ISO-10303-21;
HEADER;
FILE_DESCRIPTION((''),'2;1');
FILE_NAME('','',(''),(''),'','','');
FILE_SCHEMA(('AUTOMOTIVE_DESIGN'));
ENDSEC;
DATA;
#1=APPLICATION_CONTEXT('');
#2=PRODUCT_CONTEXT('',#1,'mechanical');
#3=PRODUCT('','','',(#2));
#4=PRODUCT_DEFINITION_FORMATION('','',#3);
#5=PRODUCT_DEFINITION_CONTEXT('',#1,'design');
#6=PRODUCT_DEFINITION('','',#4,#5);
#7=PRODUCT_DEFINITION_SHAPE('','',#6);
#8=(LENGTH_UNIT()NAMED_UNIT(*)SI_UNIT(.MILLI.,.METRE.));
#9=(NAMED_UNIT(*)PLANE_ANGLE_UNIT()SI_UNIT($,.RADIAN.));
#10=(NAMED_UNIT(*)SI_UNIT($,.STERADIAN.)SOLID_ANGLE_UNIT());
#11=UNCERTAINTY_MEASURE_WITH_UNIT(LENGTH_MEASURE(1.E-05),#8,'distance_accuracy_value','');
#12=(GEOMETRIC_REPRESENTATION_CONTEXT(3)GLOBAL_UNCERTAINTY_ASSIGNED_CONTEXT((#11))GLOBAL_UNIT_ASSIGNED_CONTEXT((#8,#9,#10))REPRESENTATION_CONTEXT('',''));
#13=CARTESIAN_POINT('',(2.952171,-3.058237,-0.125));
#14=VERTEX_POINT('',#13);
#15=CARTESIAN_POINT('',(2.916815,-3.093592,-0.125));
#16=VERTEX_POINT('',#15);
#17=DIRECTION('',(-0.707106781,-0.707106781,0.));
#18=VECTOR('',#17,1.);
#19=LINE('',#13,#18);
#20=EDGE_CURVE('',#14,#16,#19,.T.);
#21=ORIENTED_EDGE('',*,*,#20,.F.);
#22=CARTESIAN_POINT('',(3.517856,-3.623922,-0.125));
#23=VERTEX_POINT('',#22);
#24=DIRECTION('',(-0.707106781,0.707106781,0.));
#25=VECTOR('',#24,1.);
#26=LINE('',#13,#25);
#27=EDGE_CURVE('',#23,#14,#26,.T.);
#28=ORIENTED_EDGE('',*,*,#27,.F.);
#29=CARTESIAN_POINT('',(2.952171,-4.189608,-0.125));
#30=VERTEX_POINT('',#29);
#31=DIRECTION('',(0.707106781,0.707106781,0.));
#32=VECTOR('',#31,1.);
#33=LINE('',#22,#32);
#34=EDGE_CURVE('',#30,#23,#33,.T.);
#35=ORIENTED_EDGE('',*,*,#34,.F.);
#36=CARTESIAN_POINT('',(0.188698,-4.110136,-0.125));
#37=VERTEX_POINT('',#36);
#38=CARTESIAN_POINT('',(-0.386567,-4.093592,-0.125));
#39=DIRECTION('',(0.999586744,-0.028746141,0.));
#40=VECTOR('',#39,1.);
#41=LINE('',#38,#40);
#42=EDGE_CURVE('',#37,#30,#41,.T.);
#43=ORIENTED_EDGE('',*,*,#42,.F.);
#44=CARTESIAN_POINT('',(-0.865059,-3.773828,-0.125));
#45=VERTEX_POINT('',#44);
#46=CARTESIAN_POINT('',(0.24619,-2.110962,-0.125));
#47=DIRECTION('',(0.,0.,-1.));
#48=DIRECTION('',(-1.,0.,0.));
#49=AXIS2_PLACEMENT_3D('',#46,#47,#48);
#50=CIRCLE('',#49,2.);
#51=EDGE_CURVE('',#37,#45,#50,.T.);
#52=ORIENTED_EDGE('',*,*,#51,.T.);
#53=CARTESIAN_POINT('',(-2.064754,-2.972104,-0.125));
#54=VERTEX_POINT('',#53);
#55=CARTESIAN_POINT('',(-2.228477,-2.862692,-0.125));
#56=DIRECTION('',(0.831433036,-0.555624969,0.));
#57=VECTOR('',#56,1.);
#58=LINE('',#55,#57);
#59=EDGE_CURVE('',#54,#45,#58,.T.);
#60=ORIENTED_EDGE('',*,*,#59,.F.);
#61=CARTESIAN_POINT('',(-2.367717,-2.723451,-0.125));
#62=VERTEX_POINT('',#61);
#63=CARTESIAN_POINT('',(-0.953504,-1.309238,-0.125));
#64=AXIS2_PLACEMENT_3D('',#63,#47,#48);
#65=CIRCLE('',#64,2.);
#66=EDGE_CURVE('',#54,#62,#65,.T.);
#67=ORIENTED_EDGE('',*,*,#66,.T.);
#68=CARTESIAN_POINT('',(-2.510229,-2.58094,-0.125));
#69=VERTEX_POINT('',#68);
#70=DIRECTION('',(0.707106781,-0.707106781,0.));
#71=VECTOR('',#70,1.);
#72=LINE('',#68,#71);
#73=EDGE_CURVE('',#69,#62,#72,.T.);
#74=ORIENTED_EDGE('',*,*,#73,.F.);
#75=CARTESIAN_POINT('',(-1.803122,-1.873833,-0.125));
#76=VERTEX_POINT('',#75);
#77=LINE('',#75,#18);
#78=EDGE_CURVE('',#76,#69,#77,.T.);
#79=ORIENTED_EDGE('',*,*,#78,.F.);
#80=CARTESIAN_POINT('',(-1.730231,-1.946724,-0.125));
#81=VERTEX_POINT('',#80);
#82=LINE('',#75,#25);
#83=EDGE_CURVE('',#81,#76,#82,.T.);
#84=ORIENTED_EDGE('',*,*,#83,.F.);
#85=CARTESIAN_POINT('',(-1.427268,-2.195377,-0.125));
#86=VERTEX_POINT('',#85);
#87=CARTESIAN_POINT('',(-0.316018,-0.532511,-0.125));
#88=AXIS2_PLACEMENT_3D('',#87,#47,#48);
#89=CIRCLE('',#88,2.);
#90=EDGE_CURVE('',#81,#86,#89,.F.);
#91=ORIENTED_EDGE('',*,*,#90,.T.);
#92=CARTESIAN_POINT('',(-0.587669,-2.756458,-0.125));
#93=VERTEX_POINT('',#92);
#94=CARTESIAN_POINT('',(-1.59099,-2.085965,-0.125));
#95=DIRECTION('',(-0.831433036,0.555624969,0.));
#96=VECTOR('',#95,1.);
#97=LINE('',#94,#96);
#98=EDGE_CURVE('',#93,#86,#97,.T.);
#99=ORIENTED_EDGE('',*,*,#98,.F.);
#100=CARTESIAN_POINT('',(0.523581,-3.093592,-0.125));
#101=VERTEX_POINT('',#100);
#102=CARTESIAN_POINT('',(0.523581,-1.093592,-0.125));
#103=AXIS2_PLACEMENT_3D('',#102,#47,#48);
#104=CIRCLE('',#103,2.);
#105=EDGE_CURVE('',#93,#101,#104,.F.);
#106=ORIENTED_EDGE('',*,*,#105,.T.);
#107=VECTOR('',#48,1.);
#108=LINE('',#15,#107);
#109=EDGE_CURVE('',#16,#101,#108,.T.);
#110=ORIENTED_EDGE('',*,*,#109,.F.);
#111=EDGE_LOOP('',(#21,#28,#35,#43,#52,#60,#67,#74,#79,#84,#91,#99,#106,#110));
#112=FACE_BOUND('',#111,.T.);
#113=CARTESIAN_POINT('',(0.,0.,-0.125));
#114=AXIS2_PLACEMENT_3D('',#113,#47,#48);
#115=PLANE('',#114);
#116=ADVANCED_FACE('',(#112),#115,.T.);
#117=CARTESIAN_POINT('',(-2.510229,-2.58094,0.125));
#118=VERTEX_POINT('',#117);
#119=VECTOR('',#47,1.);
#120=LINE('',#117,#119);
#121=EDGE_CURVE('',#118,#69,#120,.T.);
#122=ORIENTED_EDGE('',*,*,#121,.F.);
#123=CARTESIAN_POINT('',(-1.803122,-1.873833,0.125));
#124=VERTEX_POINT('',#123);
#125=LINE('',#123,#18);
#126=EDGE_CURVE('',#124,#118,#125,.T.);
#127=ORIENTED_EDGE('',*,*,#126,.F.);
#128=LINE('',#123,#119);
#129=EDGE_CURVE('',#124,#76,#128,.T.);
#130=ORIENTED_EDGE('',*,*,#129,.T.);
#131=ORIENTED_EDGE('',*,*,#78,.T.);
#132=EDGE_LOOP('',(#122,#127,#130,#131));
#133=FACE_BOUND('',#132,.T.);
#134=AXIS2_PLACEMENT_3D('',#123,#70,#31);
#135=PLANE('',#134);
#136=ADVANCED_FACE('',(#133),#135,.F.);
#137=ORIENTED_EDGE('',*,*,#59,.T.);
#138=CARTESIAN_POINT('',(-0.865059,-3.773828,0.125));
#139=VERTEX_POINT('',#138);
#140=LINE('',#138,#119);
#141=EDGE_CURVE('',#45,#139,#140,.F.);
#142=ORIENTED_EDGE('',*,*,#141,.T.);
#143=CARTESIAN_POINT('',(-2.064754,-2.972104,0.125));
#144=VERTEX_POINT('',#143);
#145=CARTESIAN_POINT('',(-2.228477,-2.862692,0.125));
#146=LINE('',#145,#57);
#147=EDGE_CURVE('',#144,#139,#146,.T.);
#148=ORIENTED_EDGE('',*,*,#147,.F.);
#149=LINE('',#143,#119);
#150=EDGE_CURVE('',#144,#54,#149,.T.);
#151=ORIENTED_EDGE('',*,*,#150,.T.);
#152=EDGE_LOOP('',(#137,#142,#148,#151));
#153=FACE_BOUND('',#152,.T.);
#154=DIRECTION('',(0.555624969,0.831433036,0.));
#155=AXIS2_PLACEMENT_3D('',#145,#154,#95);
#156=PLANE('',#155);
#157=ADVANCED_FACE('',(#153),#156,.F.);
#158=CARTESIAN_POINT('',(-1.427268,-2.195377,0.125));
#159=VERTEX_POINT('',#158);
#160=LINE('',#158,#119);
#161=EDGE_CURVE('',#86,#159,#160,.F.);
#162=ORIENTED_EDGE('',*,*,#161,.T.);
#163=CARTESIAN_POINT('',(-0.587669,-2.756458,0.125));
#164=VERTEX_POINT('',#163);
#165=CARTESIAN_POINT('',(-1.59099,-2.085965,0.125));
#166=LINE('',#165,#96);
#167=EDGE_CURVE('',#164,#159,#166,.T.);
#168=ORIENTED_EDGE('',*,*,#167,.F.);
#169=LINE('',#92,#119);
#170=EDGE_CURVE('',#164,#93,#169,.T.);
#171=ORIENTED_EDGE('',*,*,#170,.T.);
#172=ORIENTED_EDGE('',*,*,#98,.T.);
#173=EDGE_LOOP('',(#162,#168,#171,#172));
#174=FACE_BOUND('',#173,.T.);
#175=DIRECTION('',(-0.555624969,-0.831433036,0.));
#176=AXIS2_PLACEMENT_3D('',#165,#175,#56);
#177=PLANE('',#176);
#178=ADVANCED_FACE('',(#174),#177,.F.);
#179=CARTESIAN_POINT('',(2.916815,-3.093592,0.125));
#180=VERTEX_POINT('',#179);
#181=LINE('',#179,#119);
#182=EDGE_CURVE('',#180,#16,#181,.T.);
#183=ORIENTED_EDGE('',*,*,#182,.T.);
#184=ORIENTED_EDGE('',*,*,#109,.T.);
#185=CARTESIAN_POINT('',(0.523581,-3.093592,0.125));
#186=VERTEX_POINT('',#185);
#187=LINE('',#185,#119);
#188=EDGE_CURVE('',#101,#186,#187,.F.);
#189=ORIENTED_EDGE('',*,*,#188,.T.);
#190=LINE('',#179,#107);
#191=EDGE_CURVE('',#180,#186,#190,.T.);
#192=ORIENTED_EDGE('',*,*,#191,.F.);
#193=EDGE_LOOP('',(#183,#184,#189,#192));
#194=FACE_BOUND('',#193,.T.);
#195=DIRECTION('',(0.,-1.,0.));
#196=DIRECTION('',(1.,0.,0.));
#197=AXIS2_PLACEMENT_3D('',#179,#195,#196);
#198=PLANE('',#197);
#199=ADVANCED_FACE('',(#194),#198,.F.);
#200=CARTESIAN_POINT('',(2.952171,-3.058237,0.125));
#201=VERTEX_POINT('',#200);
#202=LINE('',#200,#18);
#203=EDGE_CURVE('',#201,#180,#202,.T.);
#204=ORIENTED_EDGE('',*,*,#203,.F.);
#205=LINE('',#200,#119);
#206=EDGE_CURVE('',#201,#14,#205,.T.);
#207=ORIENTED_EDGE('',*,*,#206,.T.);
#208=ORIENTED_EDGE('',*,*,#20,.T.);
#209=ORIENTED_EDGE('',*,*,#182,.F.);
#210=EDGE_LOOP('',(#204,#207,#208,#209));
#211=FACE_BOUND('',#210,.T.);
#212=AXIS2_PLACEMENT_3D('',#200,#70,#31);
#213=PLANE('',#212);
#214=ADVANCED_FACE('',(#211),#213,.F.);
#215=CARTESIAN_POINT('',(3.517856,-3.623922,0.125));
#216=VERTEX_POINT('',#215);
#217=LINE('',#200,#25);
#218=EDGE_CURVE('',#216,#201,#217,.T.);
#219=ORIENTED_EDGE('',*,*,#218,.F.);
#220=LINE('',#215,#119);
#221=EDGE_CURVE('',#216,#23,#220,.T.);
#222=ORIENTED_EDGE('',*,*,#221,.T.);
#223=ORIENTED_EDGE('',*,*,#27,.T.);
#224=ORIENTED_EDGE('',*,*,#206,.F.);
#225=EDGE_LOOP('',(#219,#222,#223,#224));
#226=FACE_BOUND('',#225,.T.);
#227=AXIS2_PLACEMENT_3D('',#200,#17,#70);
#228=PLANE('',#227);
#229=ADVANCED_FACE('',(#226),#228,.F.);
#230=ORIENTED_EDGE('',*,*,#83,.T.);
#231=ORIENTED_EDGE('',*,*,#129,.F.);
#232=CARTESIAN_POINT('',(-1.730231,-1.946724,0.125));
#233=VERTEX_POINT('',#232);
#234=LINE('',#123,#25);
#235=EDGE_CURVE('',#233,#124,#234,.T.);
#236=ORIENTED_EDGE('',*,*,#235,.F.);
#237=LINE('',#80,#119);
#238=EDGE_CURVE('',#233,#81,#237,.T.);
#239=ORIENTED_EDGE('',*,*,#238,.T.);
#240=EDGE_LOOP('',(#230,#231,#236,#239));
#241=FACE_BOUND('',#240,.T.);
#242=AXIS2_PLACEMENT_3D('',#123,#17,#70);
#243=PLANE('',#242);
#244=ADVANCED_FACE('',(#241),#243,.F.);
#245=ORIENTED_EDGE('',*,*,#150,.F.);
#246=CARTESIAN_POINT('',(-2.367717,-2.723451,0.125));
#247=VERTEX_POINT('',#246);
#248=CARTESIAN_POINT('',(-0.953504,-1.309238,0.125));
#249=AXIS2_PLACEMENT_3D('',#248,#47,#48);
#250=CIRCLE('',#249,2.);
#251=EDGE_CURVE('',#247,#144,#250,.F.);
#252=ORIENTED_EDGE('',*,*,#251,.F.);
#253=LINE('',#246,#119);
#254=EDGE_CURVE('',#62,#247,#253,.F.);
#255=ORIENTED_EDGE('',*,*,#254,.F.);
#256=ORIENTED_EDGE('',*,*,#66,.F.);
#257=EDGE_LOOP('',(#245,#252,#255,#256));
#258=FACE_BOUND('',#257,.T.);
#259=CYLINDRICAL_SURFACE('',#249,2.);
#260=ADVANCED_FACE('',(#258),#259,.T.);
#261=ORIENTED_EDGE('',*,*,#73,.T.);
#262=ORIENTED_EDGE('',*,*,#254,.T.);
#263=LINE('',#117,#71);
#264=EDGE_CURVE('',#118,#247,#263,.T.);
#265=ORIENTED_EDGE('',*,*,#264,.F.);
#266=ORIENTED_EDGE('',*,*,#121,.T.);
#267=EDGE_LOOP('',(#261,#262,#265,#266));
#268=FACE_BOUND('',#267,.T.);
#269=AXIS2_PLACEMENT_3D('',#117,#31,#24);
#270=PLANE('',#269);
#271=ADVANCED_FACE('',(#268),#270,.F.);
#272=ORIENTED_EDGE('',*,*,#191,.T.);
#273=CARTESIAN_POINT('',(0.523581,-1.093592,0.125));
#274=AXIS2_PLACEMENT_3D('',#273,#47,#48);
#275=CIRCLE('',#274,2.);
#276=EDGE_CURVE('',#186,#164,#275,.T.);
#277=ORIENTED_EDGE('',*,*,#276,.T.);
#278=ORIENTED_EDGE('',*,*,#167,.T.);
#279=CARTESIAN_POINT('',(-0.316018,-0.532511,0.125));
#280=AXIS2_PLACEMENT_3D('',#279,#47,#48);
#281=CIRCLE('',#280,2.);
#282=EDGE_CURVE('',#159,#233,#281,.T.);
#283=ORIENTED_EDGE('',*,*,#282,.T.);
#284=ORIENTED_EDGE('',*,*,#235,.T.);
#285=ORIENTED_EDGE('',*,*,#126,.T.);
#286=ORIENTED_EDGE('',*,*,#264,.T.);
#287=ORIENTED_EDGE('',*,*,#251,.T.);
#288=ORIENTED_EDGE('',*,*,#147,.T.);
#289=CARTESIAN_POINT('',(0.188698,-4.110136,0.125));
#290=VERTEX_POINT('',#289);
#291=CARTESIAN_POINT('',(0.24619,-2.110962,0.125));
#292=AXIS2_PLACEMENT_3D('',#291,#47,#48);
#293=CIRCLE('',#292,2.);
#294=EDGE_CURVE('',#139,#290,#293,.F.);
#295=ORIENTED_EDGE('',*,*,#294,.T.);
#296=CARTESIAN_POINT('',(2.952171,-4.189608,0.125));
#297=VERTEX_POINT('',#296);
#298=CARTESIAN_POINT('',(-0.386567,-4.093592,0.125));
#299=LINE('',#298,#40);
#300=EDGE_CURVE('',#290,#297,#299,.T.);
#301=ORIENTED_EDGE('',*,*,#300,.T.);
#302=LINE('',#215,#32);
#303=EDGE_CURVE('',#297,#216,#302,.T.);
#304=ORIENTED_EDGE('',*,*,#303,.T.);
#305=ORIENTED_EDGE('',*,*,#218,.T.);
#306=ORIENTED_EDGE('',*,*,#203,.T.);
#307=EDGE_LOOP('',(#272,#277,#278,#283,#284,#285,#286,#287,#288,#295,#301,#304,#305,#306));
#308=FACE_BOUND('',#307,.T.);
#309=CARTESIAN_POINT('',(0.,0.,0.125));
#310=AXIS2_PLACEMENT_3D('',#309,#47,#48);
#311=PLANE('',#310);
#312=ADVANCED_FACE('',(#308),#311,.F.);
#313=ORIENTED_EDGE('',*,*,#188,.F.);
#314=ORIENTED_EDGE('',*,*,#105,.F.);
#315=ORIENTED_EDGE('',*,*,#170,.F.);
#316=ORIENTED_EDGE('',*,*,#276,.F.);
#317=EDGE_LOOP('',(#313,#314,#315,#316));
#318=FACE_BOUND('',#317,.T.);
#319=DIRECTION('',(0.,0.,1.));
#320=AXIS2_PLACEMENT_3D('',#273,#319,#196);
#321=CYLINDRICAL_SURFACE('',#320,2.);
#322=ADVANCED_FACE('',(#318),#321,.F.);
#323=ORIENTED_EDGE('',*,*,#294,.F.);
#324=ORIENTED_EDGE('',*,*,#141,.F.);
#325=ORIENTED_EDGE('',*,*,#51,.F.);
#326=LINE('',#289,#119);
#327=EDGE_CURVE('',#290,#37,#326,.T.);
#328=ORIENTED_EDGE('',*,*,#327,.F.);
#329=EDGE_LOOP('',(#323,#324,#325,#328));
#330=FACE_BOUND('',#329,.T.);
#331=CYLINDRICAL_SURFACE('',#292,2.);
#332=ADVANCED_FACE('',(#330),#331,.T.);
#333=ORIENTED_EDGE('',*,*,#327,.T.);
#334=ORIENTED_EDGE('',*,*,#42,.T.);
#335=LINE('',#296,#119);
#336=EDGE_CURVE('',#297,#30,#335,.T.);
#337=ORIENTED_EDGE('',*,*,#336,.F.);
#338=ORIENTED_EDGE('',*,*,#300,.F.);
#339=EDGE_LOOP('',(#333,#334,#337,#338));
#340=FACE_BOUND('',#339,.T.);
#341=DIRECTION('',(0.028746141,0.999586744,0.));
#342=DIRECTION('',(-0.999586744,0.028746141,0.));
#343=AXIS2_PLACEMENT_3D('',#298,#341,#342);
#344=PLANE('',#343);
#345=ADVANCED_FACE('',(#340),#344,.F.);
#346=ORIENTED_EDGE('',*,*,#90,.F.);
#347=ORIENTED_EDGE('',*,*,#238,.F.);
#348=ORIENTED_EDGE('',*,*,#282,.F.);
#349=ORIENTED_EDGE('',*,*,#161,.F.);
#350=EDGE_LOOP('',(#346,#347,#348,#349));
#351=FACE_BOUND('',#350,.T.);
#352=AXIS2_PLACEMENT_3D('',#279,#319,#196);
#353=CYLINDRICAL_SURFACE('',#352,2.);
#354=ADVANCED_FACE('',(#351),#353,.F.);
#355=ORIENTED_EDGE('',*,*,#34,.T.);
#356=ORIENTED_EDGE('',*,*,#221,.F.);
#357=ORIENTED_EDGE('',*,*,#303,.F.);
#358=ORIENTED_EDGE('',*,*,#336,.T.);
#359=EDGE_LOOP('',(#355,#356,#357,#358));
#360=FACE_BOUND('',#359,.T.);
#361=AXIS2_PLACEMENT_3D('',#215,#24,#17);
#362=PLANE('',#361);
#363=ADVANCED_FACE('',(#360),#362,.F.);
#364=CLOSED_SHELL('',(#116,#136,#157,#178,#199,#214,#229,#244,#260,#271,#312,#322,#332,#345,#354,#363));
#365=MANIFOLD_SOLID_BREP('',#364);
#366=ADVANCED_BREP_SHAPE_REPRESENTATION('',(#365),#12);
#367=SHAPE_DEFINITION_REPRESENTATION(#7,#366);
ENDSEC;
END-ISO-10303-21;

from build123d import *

# Parameters (mm, degrees)
BOSS_EXTRUDE1_DEPTH = 0.125
FILLET1_R           = 2


with BuildPart() as part:
    # frame_outline → Boss-Extrude1 (new, symmetric)
    with BuildSketch(Plane.XY):
        Polygon((-1.803122292, -1.87383297), (-1.590990258, -2.085965005), (-0.083184528, -3.093592168), (2.916815472, -3.093592168), (2.952170811, -3.058236829), (3.517856236, -3.623922254), (2.952170811, -4.189607679), (-0.386567156, -4.093592168), (-2.2284766, -2.862692224), (-2.510229073, -2.580939751), align=None)
    extrude(amount=BOSS_EXTRUDE1_DEPTH, both=True)

    # Fillet1
    fillet1_edges = [part.edges().sort_by_distance(p)[0] for p in [
        (-2.2284766, -2.862692224, 0),
        (-1.590990258, -2.085965005, 0),
        (-0.083184528, -3.093592168, 0),
        (-0.386567156, -4.093592168, 0),
    ]]
    fillet(fillet1_edges, radius=FILLET1_R)


solid = part.part
